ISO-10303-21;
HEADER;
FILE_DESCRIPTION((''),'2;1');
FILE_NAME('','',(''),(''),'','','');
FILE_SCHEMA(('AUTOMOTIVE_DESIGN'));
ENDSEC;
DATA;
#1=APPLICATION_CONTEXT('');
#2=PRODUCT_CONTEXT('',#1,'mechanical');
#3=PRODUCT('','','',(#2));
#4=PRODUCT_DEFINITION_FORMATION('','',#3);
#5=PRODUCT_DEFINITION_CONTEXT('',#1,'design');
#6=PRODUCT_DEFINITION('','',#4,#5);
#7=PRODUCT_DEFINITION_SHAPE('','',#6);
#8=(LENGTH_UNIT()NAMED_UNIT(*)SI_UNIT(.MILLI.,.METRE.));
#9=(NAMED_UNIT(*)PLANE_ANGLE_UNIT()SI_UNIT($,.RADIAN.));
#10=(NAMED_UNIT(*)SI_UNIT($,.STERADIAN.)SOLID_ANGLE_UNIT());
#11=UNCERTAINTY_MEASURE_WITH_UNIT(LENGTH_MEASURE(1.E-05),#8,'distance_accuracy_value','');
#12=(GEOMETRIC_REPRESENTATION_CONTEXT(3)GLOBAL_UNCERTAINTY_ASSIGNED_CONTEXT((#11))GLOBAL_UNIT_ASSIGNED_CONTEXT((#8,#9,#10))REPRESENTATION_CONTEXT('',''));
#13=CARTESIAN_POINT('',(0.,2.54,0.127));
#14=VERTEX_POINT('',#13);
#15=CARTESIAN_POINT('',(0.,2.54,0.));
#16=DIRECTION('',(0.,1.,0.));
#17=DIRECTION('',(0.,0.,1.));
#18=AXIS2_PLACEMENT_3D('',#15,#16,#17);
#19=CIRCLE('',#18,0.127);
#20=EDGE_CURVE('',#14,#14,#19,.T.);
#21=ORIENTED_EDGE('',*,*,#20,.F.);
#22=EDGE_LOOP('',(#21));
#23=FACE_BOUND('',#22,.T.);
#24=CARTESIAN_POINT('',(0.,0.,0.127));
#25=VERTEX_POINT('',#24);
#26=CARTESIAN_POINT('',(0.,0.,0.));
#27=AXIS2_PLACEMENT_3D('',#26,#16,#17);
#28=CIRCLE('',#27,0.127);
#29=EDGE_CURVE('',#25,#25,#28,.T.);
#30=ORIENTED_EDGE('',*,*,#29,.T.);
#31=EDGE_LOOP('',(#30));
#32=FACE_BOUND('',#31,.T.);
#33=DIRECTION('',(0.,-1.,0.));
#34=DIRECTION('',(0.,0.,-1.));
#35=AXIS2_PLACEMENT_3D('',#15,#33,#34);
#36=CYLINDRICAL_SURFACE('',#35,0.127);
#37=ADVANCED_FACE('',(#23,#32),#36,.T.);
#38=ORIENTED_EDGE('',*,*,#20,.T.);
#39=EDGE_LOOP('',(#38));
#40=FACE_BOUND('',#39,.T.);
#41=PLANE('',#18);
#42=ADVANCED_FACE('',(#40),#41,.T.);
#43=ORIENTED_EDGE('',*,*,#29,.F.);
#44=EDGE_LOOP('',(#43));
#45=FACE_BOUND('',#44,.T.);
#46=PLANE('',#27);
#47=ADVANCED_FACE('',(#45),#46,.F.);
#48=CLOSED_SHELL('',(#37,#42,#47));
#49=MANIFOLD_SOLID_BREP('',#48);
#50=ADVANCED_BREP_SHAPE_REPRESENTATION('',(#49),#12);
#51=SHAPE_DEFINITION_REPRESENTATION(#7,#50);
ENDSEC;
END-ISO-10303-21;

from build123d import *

# Parameters (mm, degrees)
SKETCH1_R           = 0.127
BOSS_EXTRUDE1_DEPTH = 2.54


with BuildPart() as part:
    # Sketch1 → Boss-Extrude1 (new body)
    with BuildSketch(Plane(origin=(0, 0, 0), x_dir=(1, 0, 0), z_dir=(0, 1, 0))):
        Circle(SKETCH1_R)
    extrude(amount=BOSS_EXTRUDE1_DEPTH)


solid = part.part
